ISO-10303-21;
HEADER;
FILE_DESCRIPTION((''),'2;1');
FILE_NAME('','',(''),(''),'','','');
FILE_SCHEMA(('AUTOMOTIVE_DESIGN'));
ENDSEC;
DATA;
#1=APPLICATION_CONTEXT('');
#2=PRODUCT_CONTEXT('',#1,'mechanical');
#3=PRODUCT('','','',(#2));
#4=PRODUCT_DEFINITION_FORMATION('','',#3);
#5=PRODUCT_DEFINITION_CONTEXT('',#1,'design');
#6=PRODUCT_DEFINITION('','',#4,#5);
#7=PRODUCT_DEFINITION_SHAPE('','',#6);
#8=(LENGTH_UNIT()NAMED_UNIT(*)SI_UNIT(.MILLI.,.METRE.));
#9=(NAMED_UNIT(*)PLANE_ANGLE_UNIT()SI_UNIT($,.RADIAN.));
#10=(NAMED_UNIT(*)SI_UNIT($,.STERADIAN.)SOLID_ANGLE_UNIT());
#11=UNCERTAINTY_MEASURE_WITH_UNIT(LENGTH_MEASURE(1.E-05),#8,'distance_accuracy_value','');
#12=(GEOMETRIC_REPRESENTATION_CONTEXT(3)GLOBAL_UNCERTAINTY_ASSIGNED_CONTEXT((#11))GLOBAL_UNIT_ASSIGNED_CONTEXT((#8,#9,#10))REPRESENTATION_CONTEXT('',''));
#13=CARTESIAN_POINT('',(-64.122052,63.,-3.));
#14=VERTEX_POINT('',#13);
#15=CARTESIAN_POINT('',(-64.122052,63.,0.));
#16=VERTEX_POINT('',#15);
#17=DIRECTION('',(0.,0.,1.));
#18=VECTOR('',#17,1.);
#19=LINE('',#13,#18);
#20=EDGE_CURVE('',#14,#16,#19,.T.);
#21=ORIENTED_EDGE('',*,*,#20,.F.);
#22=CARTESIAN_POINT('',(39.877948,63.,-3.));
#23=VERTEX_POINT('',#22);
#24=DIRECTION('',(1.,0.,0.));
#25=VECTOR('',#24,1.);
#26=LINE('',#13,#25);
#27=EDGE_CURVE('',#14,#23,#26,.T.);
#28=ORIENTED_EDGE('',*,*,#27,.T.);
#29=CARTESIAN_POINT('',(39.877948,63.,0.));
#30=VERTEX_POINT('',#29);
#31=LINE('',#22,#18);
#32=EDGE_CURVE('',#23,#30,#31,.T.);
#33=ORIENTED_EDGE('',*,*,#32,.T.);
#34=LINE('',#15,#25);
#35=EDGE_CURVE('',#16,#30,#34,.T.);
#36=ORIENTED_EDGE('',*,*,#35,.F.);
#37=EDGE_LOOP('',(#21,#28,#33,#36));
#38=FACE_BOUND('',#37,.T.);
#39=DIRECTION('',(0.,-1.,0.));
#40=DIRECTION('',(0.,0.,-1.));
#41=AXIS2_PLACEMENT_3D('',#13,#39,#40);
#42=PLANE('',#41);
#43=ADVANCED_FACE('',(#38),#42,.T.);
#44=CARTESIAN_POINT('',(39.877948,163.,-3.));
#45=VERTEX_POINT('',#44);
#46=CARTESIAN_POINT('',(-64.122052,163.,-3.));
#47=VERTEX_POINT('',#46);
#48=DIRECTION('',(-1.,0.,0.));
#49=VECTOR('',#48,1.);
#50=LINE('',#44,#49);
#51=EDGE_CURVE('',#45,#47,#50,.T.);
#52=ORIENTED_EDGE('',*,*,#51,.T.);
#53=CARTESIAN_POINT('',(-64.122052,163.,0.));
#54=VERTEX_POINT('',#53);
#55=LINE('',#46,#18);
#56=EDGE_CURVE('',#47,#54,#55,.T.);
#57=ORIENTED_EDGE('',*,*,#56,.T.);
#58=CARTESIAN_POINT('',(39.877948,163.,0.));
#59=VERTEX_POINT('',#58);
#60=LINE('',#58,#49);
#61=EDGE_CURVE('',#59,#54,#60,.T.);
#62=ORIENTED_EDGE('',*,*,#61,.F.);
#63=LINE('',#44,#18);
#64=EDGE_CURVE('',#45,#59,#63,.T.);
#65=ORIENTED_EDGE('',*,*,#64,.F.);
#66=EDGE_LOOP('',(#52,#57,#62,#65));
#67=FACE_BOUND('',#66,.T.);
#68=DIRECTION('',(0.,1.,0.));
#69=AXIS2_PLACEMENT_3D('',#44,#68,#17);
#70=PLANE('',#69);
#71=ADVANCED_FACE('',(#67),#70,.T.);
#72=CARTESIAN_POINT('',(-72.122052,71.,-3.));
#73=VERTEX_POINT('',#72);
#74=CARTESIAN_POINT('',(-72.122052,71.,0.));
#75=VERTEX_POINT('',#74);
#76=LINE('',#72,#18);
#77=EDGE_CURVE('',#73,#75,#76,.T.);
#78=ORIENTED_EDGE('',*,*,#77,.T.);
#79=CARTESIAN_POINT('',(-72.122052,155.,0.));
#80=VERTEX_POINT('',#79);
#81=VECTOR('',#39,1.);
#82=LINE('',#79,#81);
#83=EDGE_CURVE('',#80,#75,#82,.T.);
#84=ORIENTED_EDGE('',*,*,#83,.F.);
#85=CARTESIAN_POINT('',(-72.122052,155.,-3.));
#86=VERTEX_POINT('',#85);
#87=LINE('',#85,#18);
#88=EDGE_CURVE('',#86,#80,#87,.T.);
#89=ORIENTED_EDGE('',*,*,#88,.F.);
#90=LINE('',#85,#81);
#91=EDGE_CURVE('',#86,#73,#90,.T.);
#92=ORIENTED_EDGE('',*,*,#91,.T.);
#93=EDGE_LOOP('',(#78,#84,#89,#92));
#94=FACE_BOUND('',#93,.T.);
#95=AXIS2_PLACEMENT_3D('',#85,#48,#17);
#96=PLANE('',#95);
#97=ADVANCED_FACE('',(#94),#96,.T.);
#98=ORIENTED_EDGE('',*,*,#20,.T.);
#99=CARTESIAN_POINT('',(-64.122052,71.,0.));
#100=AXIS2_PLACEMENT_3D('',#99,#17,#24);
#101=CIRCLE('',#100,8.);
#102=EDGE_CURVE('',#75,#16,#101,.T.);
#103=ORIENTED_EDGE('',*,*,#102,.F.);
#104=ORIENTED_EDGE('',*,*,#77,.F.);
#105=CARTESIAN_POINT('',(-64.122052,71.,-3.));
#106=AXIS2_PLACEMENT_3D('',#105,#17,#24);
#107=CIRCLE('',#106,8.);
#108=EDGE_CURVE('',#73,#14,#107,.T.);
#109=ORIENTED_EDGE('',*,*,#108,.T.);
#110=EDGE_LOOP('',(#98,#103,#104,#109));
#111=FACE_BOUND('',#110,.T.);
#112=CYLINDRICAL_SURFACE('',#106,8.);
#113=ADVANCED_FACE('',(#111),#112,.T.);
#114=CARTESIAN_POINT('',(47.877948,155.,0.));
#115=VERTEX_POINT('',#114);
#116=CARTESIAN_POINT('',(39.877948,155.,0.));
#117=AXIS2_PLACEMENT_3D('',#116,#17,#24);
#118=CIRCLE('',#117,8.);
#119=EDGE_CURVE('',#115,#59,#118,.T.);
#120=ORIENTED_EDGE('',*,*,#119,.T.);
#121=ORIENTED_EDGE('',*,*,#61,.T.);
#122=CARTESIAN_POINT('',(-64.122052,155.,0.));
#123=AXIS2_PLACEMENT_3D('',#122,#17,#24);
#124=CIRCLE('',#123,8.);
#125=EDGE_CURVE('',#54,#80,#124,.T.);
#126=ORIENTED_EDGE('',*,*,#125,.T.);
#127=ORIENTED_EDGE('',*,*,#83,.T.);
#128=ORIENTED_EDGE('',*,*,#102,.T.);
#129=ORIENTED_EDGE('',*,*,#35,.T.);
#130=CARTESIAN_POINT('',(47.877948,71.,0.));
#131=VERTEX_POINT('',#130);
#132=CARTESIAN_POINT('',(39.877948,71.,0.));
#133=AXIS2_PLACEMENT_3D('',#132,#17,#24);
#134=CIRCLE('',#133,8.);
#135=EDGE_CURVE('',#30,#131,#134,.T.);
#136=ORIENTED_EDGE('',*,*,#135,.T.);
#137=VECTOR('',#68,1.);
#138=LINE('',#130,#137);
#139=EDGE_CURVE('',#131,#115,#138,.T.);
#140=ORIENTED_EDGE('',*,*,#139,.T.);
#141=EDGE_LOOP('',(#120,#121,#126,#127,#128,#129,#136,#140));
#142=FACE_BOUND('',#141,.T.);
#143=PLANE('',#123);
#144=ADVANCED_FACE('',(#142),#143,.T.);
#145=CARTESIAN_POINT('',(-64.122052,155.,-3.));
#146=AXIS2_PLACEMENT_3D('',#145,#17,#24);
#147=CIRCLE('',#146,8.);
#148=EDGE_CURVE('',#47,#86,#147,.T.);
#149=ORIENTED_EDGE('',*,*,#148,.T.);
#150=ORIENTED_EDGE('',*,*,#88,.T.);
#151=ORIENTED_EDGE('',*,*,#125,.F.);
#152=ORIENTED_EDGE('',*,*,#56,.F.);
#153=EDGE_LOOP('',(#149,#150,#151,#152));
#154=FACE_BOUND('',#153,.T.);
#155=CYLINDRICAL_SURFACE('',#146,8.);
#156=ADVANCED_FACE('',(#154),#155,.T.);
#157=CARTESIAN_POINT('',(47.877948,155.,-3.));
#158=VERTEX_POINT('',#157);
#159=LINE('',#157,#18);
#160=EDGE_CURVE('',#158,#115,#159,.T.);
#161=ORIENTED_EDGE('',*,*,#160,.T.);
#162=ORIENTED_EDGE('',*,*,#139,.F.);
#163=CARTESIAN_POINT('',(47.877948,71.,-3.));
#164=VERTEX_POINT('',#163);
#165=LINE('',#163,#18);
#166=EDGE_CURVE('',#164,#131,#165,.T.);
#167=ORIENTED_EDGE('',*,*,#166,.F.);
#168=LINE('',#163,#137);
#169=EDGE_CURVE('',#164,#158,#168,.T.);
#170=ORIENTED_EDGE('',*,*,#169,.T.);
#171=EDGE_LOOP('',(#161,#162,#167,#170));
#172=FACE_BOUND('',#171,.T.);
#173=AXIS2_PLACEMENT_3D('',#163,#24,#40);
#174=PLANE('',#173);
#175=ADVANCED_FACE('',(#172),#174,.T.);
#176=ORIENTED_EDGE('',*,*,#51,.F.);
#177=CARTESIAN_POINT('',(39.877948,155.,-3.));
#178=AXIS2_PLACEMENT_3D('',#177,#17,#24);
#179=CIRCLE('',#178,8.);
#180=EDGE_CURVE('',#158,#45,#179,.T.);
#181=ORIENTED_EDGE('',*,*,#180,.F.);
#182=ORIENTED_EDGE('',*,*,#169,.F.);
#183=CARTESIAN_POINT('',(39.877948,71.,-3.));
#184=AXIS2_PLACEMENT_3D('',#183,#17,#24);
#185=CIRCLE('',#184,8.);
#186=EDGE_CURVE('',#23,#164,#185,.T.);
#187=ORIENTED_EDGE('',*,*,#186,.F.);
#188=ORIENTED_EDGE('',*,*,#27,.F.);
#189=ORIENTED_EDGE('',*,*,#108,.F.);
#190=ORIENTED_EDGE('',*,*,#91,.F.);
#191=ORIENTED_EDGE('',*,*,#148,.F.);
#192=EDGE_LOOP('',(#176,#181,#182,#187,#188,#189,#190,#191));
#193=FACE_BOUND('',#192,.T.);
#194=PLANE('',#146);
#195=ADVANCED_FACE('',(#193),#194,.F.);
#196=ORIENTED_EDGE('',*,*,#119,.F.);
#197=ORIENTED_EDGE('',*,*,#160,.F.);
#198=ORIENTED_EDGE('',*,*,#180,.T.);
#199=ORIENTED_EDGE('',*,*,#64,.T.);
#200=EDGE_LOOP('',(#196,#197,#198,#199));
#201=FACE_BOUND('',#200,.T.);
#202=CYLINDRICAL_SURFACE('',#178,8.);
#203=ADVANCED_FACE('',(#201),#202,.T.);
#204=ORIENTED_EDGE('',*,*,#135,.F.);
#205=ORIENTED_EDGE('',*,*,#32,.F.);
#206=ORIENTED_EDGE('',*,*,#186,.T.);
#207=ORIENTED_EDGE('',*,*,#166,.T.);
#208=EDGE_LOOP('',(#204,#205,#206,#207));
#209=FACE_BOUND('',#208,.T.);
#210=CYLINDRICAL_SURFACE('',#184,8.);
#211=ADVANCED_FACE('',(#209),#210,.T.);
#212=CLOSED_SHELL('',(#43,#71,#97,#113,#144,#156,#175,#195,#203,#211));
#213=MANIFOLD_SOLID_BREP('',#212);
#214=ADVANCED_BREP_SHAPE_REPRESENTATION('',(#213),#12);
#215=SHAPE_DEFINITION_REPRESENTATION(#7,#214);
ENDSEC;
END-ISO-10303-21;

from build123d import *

# Parameters (mm, degrees)
BOSS_EXTRUDE1_DEPTH = 3


with BuildPart() as part:
    # Sketch1 → Boss-Extrude1 (new body)
    with BuildSketch(Plane.XY):
        with BuildLine():
            Line((-72.122052126, 155), (-72.122052126, 71))
            ThreePointArc((-72.122052126, 71), (-69.778906375, 65.343145751), (-64.122052126, 63))
            Line((-64.122052126, 63), (39.877947874, 63))
            ThreePointArc((39.877947874, 63), (45.534802123, 65.343145751), (47.877947874, 71))
            Line((47.877947874, 71), (47.877947874, 155))
            ThreePointArc((47.877947874, 155), (45.534802123, 160.65685425), (39.877947874, 163))
            Line((39.877947874, 163), (-64.122052126, 163))
            ThreePointArc((-64.122052126, 163), (-69.778906375, 160.65685425), (-72.122052126, 155))
        make_face()
    extrude(amount=-BOSS_EXTRUDE1_DEPTH)


solid = part.part
